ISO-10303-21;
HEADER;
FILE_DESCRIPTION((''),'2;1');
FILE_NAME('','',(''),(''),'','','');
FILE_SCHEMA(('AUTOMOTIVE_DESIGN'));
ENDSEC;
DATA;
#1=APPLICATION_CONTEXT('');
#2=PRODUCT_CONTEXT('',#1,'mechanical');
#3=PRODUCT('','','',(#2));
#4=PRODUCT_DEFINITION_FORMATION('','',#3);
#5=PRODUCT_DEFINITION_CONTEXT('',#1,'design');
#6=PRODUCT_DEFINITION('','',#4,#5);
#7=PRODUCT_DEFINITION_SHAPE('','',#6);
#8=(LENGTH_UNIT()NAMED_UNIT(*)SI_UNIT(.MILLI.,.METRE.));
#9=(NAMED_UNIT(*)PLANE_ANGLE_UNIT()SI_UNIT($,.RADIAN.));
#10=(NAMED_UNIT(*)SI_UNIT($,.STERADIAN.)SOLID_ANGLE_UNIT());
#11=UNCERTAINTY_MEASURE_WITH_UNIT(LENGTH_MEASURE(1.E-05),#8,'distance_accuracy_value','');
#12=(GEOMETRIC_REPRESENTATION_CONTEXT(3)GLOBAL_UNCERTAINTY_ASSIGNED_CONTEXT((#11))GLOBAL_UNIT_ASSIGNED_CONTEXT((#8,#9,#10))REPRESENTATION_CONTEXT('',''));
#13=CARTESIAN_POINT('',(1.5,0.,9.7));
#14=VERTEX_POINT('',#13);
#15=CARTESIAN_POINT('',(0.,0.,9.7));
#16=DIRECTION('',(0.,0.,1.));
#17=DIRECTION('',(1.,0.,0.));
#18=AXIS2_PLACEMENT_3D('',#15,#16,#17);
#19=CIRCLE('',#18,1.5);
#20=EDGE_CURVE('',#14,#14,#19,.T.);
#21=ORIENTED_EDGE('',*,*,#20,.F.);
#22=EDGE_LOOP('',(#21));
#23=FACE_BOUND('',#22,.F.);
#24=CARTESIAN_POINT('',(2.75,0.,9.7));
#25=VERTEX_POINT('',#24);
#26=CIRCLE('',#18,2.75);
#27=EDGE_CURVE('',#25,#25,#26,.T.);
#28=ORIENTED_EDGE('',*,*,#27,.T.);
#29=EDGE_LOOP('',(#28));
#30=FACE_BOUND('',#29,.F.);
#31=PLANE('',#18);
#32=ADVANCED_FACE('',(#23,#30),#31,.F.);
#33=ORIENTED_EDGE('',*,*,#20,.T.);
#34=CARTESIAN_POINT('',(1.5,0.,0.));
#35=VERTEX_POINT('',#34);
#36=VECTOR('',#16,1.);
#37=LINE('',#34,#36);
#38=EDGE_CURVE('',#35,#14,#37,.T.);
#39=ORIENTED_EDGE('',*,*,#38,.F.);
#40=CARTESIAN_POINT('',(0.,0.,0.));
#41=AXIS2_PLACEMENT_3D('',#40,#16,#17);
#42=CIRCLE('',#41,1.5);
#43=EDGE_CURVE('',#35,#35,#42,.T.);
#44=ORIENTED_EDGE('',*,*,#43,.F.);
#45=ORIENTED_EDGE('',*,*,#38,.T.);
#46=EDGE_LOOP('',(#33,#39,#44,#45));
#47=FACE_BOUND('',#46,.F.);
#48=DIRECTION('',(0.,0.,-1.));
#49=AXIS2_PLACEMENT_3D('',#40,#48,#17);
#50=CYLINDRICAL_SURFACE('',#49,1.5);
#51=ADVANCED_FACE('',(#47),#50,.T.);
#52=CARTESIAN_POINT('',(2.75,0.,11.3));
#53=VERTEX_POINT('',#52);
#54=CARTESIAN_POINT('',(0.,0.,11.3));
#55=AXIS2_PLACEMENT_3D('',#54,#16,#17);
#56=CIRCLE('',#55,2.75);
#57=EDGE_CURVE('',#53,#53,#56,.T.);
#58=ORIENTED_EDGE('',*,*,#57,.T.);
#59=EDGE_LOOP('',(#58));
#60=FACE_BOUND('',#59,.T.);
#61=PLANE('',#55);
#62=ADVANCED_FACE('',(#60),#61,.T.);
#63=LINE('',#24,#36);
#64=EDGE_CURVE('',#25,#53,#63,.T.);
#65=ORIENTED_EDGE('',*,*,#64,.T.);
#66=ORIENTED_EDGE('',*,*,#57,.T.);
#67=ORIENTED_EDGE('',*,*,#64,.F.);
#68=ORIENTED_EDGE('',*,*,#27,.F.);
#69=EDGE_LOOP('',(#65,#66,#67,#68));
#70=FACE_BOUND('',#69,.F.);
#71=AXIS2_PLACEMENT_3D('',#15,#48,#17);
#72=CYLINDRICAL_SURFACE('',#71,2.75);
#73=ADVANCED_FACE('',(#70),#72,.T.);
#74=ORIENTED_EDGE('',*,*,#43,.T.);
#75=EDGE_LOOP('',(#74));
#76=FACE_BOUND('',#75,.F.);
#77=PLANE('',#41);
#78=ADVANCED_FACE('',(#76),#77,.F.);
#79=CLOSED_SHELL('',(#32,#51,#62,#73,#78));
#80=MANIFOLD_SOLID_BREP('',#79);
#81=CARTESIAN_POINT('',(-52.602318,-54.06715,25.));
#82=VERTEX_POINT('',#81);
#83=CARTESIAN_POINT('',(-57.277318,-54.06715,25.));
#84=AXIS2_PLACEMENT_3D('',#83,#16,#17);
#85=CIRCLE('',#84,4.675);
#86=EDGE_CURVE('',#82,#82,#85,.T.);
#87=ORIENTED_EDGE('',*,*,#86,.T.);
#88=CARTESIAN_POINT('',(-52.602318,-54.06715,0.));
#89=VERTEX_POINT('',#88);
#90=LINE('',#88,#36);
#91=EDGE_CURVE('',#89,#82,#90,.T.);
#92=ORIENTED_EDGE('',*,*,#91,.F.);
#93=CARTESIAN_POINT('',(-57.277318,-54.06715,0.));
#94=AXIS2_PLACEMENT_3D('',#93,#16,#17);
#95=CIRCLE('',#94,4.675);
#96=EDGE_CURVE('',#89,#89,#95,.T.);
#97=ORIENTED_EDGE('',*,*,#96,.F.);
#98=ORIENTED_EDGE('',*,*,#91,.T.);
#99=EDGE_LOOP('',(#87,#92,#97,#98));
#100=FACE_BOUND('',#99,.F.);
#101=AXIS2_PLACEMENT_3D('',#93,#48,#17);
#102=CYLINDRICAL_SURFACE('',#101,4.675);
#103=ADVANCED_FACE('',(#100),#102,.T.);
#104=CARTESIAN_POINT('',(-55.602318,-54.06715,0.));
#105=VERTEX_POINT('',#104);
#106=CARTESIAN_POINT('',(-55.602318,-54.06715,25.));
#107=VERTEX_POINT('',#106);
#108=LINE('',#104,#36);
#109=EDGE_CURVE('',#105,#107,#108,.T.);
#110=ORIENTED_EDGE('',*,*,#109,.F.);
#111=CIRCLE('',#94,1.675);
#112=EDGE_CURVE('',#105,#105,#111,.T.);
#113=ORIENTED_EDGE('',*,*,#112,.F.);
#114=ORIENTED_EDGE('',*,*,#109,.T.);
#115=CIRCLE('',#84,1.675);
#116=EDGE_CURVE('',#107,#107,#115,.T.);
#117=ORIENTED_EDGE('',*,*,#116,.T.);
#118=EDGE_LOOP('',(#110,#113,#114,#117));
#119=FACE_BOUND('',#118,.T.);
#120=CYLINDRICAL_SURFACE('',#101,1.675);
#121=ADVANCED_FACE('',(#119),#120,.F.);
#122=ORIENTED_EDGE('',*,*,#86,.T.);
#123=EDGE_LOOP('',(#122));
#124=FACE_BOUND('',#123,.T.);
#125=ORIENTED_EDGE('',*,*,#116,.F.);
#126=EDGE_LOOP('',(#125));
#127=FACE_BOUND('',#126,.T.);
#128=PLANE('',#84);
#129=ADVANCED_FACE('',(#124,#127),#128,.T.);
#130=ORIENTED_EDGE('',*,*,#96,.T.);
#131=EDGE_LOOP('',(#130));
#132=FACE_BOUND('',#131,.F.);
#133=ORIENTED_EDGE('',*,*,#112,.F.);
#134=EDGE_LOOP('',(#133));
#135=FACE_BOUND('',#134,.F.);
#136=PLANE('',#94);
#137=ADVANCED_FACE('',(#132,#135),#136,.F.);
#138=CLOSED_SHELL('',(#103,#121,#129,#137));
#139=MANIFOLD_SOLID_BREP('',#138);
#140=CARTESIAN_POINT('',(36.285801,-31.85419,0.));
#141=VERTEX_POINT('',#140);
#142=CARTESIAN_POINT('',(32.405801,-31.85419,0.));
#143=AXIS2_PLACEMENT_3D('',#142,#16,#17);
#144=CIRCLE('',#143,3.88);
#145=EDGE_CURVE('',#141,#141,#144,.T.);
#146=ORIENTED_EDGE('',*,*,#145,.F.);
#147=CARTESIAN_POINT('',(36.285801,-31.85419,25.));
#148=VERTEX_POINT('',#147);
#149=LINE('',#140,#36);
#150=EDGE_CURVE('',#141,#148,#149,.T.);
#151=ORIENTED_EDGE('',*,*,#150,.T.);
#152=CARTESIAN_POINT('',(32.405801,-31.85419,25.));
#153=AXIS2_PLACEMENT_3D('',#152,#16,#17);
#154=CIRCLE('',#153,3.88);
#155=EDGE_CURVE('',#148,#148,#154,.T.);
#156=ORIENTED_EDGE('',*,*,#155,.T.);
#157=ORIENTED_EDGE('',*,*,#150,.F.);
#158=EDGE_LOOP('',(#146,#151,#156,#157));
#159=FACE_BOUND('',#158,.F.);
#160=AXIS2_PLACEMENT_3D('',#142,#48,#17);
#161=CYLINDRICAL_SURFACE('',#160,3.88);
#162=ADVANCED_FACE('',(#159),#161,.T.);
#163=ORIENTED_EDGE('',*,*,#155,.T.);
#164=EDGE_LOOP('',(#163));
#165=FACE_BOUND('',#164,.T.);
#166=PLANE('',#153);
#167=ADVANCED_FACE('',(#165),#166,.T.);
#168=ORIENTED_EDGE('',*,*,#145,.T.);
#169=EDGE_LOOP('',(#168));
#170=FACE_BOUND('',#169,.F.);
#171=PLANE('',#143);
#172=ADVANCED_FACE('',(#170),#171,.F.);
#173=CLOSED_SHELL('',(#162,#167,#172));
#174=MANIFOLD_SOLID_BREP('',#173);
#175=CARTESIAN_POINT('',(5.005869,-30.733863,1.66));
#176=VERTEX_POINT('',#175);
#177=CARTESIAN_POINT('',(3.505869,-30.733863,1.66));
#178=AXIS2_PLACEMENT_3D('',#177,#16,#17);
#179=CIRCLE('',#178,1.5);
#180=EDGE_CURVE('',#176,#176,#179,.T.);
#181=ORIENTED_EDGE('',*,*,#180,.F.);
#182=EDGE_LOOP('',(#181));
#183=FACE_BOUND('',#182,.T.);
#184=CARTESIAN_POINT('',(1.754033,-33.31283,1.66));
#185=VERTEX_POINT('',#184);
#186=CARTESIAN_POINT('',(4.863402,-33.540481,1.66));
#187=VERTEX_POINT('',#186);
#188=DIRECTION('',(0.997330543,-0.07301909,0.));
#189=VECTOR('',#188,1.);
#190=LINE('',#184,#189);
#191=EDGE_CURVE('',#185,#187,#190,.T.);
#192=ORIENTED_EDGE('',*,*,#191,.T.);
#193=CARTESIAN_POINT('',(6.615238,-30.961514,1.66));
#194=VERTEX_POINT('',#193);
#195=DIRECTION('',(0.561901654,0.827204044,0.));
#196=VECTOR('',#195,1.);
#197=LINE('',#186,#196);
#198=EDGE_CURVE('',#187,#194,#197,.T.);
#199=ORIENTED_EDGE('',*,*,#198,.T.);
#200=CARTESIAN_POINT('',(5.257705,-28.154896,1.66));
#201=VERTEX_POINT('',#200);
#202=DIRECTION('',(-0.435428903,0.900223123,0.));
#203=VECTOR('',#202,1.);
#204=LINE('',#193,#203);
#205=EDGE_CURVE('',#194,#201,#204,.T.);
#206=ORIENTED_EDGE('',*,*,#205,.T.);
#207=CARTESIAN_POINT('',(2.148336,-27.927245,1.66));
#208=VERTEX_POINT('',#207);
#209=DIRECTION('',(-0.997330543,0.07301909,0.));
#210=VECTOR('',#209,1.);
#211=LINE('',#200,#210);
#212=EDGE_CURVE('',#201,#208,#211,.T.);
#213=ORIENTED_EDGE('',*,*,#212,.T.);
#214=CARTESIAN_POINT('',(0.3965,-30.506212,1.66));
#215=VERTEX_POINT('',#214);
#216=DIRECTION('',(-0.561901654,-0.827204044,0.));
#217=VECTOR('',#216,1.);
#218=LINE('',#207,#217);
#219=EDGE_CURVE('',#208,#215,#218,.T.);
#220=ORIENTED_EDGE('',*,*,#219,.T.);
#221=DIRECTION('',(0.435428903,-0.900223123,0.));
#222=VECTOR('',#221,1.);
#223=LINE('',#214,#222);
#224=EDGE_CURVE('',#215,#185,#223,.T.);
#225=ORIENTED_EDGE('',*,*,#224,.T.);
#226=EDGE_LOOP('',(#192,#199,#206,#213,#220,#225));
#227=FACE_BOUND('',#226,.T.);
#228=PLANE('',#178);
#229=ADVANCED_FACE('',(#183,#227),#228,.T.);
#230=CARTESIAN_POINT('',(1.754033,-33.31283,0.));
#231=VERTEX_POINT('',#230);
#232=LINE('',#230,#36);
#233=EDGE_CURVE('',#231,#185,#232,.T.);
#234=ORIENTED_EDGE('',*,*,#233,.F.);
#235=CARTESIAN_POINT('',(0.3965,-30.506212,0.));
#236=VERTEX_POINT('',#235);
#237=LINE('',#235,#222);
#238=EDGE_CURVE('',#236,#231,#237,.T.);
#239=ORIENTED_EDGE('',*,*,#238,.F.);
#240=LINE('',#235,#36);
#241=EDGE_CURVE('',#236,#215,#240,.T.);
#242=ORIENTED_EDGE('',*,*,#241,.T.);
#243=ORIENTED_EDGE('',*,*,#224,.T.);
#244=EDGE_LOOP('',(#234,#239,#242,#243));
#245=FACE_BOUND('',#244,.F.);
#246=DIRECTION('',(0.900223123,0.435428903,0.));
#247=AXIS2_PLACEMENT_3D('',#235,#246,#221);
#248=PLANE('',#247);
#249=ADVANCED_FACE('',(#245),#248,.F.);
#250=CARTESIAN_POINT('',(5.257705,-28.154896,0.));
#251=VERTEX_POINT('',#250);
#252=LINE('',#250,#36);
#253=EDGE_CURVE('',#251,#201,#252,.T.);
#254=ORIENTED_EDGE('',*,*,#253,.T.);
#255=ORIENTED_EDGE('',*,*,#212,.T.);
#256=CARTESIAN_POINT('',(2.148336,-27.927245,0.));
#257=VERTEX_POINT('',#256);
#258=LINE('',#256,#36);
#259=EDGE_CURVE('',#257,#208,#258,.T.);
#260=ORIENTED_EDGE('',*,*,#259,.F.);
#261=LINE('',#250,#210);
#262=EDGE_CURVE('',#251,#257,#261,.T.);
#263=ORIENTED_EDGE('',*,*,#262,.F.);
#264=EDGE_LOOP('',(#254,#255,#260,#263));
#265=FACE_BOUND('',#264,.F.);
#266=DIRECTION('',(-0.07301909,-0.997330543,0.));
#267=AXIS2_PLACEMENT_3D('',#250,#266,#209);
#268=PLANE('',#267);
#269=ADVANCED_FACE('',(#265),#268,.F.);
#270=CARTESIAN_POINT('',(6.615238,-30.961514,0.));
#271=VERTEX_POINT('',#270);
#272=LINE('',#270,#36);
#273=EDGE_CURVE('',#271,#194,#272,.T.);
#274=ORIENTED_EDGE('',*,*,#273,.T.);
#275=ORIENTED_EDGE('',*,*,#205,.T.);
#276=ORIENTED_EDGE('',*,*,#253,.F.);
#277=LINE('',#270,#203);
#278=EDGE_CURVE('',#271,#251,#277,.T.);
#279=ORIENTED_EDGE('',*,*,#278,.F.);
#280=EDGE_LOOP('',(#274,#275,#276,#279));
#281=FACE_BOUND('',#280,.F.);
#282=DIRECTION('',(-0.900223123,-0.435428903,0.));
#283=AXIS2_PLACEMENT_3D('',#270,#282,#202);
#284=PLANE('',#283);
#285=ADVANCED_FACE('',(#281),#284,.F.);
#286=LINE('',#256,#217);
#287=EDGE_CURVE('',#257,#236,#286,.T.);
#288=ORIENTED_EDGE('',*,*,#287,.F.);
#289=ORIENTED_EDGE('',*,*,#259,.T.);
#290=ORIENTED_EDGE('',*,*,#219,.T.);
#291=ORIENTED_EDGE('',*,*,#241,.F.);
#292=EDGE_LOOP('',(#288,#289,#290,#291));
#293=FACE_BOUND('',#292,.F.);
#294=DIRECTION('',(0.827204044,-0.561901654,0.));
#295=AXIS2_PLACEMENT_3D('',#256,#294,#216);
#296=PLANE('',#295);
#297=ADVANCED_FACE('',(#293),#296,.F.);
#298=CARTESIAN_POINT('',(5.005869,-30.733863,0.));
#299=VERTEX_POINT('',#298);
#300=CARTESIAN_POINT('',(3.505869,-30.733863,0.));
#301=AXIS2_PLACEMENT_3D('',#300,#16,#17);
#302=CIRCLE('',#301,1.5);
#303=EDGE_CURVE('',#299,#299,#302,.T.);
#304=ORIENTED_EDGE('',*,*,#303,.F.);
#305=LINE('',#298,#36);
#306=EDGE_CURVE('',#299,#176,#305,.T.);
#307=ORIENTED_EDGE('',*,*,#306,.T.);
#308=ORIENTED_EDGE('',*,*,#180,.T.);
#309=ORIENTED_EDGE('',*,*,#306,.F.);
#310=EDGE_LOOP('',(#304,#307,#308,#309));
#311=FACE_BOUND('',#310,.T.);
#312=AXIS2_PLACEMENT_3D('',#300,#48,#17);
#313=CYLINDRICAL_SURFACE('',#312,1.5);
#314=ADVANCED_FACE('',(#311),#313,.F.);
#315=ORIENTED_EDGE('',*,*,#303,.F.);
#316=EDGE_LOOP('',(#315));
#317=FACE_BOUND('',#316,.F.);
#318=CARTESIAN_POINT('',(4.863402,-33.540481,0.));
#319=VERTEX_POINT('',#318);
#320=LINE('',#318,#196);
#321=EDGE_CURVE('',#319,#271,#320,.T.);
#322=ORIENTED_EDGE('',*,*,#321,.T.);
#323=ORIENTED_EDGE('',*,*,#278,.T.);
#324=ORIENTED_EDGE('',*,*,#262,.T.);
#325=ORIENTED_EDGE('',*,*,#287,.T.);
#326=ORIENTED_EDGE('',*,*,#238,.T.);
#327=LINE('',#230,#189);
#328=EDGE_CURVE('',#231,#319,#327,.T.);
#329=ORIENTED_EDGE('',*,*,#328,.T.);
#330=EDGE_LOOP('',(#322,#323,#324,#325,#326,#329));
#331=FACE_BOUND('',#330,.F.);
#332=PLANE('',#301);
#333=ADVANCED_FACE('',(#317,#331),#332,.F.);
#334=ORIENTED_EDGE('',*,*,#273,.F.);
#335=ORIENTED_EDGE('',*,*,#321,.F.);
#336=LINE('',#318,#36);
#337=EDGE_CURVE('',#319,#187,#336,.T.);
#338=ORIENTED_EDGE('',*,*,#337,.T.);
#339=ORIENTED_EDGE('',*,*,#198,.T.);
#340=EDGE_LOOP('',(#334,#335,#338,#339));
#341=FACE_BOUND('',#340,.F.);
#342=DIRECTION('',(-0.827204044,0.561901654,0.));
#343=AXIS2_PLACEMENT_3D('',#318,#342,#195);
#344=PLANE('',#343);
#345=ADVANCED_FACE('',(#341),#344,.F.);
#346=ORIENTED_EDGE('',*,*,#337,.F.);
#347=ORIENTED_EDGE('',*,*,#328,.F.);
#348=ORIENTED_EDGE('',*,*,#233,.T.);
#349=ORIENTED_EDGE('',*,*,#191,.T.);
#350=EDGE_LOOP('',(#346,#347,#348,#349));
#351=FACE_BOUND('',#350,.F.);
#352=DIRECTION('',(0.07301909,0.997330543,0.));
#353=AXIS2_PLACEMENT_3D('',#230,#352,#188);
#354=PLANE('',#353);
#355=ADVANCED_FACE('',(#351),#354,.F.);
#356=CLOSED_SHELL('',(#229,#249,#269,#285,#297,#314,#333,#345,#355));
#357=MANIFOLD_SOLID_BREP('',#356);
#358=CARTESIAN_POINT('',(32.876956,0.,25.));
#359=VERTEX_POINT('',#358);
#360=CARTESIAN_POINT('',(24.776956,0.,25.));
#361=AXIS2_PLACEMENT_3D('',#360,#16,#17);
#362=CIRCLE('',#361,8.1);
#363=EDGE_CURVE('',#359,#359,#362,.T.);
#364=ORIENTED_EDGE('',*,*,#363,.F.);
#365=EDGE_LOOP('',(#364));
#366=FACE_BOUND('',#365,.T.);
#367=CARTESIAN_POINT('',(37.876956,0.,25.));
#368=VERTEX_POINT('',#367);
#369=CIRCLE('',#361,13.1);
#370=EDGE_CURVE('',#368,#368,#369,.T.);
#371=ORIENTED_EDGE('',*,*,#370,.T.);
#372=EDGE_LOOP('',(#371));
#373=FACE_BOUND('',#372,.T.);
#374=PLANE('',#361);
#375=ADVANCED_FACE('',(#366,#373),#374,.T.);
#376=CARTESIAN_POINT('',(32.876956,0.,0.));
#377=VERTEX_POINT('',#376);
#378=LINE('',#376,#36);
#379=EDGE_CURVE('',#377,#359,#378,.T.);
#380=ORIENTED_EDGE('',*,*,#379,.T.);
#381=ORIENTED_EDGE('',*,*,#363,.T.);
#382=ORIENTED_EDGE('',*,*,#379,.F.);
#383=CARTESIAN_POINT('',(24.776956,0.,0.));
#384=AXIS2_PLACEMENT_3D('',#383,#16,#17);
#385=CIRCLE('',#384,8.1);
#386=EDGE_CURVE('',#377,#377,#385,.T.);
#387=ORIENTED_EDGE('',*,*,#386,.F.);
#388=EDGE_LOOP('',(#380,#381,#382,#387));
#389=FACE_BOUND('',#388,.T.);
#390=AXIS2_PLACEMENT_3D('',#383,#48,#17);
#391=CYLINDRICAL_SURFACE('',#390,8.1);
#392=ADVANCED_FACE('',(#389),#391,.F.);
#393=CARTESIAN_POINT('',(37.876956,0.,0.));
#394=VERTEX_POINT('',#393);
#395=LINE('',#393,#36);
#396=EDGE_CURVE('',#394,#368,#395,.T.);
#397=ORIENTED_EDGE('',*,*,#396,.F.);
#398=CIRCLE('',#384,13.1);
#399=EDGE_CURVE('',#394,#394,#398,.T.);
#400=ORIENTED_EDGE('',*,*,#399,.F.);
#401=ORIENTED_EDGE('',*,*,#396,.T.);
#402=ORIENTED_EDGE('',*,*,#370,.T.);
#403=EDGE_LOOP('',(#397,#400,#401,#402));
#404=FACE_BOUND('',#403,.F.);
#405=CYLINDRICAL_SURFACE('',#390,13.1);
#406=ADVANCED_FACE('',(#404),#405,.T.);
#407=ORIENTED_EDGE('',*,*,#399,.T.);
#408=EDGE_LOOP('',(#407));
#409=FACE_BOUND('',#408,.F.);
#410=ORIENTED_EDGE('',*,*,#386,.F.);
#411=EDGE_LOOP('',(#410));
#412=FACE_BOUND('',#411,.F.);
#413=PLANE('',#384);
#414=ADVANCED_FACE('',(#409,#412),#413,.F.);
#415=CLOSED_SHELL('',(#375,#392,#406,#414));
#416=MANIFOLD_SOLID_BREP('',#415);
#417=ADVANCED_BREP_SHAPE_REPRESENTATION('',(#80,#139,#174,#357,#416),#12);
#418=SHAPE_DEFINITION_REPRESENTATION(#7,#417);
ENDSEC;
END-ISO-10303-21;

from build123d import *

# Parameters (mm, degrees)
F0_R      = 1.5
F1_DEPTH  = 9.7
F2_R      = 2.75
F3_DEPTH  = 1.6
F4_R      = 1.5
F5_DEPTH  = 1.66
F6_R      = 13.1
F6_R_2    = 8.1
F7_DEPTH  = 25
F8_R      = 3.88
F9_DEPTH  = 25
F10_R     = 4.675
F10_R_2   = 1.675
F11_DEPTH = 25


with BuildPart() as f1:
    # F0 (on Top) → F1 (new body)
    with BuildSketch(Plane.XY):
        Circle(F0_R)
    extrude(amount=F1_DEPTH)

    # F2 (on face) → F3 (join)
    with BuildSketch(Plane.XY.offset(9.7)):
        Circle(F2_R)
    extrude(amount=F3_DEPTH)


with BuildPart() as f5:
    # F4 (on Top) → F5 (new body)
    with BuildSketch(Plane.XY):
        Polygon((4.863402, -33.540481), (6.615238, -30.961514), (5.257705, -28.154896), (2.148336, -27.927245), (0.3965, -30.506212), (1.754033, -33.31283), align=None)
        with Locations((3.505869, -30.733863)):
            Circle(F4_R, mode=Mode.SUBTRACT)
    extrude(amount=F5_DEPTH)


with BuildPart() as f7:
    # F6 (on Top) → F7 (new body)
    with BuildSketch(Plane.XY):
        with Locations((24.776956, 0)):
            Circle(F6_R)
        with Locations((24.776956, 0)):
            Circle(F6_R_2, mode=Mode.SUBTRACT)
    extrude(amount=F7_DEPTH)


with BuildPart() as f9:
    # F8 (on Top) → F9 (new body)
    with BuildSketch(Plane.XY):
        with Locations((32.405801, -31.85419)):
            Circle(F8_R)
    extrude(amount=F9_DEPTH)


with BuildPart() as f11:
    # F10 (on Top) → F11 (new body)
    with BuildSketch(Plane.XY):
        with Locations((-57.277318, -54.06715)):
            Circle(F10_R)
        with Locations((-57.277318, -54.06715)):
            Circle(F10_R_2, mode=Mode.SUBTRACT)
    extrude(amount=F11_DEPTH)


solid = Compound([f1.part, f5.part, f7.part, f9.part, f11.part])
